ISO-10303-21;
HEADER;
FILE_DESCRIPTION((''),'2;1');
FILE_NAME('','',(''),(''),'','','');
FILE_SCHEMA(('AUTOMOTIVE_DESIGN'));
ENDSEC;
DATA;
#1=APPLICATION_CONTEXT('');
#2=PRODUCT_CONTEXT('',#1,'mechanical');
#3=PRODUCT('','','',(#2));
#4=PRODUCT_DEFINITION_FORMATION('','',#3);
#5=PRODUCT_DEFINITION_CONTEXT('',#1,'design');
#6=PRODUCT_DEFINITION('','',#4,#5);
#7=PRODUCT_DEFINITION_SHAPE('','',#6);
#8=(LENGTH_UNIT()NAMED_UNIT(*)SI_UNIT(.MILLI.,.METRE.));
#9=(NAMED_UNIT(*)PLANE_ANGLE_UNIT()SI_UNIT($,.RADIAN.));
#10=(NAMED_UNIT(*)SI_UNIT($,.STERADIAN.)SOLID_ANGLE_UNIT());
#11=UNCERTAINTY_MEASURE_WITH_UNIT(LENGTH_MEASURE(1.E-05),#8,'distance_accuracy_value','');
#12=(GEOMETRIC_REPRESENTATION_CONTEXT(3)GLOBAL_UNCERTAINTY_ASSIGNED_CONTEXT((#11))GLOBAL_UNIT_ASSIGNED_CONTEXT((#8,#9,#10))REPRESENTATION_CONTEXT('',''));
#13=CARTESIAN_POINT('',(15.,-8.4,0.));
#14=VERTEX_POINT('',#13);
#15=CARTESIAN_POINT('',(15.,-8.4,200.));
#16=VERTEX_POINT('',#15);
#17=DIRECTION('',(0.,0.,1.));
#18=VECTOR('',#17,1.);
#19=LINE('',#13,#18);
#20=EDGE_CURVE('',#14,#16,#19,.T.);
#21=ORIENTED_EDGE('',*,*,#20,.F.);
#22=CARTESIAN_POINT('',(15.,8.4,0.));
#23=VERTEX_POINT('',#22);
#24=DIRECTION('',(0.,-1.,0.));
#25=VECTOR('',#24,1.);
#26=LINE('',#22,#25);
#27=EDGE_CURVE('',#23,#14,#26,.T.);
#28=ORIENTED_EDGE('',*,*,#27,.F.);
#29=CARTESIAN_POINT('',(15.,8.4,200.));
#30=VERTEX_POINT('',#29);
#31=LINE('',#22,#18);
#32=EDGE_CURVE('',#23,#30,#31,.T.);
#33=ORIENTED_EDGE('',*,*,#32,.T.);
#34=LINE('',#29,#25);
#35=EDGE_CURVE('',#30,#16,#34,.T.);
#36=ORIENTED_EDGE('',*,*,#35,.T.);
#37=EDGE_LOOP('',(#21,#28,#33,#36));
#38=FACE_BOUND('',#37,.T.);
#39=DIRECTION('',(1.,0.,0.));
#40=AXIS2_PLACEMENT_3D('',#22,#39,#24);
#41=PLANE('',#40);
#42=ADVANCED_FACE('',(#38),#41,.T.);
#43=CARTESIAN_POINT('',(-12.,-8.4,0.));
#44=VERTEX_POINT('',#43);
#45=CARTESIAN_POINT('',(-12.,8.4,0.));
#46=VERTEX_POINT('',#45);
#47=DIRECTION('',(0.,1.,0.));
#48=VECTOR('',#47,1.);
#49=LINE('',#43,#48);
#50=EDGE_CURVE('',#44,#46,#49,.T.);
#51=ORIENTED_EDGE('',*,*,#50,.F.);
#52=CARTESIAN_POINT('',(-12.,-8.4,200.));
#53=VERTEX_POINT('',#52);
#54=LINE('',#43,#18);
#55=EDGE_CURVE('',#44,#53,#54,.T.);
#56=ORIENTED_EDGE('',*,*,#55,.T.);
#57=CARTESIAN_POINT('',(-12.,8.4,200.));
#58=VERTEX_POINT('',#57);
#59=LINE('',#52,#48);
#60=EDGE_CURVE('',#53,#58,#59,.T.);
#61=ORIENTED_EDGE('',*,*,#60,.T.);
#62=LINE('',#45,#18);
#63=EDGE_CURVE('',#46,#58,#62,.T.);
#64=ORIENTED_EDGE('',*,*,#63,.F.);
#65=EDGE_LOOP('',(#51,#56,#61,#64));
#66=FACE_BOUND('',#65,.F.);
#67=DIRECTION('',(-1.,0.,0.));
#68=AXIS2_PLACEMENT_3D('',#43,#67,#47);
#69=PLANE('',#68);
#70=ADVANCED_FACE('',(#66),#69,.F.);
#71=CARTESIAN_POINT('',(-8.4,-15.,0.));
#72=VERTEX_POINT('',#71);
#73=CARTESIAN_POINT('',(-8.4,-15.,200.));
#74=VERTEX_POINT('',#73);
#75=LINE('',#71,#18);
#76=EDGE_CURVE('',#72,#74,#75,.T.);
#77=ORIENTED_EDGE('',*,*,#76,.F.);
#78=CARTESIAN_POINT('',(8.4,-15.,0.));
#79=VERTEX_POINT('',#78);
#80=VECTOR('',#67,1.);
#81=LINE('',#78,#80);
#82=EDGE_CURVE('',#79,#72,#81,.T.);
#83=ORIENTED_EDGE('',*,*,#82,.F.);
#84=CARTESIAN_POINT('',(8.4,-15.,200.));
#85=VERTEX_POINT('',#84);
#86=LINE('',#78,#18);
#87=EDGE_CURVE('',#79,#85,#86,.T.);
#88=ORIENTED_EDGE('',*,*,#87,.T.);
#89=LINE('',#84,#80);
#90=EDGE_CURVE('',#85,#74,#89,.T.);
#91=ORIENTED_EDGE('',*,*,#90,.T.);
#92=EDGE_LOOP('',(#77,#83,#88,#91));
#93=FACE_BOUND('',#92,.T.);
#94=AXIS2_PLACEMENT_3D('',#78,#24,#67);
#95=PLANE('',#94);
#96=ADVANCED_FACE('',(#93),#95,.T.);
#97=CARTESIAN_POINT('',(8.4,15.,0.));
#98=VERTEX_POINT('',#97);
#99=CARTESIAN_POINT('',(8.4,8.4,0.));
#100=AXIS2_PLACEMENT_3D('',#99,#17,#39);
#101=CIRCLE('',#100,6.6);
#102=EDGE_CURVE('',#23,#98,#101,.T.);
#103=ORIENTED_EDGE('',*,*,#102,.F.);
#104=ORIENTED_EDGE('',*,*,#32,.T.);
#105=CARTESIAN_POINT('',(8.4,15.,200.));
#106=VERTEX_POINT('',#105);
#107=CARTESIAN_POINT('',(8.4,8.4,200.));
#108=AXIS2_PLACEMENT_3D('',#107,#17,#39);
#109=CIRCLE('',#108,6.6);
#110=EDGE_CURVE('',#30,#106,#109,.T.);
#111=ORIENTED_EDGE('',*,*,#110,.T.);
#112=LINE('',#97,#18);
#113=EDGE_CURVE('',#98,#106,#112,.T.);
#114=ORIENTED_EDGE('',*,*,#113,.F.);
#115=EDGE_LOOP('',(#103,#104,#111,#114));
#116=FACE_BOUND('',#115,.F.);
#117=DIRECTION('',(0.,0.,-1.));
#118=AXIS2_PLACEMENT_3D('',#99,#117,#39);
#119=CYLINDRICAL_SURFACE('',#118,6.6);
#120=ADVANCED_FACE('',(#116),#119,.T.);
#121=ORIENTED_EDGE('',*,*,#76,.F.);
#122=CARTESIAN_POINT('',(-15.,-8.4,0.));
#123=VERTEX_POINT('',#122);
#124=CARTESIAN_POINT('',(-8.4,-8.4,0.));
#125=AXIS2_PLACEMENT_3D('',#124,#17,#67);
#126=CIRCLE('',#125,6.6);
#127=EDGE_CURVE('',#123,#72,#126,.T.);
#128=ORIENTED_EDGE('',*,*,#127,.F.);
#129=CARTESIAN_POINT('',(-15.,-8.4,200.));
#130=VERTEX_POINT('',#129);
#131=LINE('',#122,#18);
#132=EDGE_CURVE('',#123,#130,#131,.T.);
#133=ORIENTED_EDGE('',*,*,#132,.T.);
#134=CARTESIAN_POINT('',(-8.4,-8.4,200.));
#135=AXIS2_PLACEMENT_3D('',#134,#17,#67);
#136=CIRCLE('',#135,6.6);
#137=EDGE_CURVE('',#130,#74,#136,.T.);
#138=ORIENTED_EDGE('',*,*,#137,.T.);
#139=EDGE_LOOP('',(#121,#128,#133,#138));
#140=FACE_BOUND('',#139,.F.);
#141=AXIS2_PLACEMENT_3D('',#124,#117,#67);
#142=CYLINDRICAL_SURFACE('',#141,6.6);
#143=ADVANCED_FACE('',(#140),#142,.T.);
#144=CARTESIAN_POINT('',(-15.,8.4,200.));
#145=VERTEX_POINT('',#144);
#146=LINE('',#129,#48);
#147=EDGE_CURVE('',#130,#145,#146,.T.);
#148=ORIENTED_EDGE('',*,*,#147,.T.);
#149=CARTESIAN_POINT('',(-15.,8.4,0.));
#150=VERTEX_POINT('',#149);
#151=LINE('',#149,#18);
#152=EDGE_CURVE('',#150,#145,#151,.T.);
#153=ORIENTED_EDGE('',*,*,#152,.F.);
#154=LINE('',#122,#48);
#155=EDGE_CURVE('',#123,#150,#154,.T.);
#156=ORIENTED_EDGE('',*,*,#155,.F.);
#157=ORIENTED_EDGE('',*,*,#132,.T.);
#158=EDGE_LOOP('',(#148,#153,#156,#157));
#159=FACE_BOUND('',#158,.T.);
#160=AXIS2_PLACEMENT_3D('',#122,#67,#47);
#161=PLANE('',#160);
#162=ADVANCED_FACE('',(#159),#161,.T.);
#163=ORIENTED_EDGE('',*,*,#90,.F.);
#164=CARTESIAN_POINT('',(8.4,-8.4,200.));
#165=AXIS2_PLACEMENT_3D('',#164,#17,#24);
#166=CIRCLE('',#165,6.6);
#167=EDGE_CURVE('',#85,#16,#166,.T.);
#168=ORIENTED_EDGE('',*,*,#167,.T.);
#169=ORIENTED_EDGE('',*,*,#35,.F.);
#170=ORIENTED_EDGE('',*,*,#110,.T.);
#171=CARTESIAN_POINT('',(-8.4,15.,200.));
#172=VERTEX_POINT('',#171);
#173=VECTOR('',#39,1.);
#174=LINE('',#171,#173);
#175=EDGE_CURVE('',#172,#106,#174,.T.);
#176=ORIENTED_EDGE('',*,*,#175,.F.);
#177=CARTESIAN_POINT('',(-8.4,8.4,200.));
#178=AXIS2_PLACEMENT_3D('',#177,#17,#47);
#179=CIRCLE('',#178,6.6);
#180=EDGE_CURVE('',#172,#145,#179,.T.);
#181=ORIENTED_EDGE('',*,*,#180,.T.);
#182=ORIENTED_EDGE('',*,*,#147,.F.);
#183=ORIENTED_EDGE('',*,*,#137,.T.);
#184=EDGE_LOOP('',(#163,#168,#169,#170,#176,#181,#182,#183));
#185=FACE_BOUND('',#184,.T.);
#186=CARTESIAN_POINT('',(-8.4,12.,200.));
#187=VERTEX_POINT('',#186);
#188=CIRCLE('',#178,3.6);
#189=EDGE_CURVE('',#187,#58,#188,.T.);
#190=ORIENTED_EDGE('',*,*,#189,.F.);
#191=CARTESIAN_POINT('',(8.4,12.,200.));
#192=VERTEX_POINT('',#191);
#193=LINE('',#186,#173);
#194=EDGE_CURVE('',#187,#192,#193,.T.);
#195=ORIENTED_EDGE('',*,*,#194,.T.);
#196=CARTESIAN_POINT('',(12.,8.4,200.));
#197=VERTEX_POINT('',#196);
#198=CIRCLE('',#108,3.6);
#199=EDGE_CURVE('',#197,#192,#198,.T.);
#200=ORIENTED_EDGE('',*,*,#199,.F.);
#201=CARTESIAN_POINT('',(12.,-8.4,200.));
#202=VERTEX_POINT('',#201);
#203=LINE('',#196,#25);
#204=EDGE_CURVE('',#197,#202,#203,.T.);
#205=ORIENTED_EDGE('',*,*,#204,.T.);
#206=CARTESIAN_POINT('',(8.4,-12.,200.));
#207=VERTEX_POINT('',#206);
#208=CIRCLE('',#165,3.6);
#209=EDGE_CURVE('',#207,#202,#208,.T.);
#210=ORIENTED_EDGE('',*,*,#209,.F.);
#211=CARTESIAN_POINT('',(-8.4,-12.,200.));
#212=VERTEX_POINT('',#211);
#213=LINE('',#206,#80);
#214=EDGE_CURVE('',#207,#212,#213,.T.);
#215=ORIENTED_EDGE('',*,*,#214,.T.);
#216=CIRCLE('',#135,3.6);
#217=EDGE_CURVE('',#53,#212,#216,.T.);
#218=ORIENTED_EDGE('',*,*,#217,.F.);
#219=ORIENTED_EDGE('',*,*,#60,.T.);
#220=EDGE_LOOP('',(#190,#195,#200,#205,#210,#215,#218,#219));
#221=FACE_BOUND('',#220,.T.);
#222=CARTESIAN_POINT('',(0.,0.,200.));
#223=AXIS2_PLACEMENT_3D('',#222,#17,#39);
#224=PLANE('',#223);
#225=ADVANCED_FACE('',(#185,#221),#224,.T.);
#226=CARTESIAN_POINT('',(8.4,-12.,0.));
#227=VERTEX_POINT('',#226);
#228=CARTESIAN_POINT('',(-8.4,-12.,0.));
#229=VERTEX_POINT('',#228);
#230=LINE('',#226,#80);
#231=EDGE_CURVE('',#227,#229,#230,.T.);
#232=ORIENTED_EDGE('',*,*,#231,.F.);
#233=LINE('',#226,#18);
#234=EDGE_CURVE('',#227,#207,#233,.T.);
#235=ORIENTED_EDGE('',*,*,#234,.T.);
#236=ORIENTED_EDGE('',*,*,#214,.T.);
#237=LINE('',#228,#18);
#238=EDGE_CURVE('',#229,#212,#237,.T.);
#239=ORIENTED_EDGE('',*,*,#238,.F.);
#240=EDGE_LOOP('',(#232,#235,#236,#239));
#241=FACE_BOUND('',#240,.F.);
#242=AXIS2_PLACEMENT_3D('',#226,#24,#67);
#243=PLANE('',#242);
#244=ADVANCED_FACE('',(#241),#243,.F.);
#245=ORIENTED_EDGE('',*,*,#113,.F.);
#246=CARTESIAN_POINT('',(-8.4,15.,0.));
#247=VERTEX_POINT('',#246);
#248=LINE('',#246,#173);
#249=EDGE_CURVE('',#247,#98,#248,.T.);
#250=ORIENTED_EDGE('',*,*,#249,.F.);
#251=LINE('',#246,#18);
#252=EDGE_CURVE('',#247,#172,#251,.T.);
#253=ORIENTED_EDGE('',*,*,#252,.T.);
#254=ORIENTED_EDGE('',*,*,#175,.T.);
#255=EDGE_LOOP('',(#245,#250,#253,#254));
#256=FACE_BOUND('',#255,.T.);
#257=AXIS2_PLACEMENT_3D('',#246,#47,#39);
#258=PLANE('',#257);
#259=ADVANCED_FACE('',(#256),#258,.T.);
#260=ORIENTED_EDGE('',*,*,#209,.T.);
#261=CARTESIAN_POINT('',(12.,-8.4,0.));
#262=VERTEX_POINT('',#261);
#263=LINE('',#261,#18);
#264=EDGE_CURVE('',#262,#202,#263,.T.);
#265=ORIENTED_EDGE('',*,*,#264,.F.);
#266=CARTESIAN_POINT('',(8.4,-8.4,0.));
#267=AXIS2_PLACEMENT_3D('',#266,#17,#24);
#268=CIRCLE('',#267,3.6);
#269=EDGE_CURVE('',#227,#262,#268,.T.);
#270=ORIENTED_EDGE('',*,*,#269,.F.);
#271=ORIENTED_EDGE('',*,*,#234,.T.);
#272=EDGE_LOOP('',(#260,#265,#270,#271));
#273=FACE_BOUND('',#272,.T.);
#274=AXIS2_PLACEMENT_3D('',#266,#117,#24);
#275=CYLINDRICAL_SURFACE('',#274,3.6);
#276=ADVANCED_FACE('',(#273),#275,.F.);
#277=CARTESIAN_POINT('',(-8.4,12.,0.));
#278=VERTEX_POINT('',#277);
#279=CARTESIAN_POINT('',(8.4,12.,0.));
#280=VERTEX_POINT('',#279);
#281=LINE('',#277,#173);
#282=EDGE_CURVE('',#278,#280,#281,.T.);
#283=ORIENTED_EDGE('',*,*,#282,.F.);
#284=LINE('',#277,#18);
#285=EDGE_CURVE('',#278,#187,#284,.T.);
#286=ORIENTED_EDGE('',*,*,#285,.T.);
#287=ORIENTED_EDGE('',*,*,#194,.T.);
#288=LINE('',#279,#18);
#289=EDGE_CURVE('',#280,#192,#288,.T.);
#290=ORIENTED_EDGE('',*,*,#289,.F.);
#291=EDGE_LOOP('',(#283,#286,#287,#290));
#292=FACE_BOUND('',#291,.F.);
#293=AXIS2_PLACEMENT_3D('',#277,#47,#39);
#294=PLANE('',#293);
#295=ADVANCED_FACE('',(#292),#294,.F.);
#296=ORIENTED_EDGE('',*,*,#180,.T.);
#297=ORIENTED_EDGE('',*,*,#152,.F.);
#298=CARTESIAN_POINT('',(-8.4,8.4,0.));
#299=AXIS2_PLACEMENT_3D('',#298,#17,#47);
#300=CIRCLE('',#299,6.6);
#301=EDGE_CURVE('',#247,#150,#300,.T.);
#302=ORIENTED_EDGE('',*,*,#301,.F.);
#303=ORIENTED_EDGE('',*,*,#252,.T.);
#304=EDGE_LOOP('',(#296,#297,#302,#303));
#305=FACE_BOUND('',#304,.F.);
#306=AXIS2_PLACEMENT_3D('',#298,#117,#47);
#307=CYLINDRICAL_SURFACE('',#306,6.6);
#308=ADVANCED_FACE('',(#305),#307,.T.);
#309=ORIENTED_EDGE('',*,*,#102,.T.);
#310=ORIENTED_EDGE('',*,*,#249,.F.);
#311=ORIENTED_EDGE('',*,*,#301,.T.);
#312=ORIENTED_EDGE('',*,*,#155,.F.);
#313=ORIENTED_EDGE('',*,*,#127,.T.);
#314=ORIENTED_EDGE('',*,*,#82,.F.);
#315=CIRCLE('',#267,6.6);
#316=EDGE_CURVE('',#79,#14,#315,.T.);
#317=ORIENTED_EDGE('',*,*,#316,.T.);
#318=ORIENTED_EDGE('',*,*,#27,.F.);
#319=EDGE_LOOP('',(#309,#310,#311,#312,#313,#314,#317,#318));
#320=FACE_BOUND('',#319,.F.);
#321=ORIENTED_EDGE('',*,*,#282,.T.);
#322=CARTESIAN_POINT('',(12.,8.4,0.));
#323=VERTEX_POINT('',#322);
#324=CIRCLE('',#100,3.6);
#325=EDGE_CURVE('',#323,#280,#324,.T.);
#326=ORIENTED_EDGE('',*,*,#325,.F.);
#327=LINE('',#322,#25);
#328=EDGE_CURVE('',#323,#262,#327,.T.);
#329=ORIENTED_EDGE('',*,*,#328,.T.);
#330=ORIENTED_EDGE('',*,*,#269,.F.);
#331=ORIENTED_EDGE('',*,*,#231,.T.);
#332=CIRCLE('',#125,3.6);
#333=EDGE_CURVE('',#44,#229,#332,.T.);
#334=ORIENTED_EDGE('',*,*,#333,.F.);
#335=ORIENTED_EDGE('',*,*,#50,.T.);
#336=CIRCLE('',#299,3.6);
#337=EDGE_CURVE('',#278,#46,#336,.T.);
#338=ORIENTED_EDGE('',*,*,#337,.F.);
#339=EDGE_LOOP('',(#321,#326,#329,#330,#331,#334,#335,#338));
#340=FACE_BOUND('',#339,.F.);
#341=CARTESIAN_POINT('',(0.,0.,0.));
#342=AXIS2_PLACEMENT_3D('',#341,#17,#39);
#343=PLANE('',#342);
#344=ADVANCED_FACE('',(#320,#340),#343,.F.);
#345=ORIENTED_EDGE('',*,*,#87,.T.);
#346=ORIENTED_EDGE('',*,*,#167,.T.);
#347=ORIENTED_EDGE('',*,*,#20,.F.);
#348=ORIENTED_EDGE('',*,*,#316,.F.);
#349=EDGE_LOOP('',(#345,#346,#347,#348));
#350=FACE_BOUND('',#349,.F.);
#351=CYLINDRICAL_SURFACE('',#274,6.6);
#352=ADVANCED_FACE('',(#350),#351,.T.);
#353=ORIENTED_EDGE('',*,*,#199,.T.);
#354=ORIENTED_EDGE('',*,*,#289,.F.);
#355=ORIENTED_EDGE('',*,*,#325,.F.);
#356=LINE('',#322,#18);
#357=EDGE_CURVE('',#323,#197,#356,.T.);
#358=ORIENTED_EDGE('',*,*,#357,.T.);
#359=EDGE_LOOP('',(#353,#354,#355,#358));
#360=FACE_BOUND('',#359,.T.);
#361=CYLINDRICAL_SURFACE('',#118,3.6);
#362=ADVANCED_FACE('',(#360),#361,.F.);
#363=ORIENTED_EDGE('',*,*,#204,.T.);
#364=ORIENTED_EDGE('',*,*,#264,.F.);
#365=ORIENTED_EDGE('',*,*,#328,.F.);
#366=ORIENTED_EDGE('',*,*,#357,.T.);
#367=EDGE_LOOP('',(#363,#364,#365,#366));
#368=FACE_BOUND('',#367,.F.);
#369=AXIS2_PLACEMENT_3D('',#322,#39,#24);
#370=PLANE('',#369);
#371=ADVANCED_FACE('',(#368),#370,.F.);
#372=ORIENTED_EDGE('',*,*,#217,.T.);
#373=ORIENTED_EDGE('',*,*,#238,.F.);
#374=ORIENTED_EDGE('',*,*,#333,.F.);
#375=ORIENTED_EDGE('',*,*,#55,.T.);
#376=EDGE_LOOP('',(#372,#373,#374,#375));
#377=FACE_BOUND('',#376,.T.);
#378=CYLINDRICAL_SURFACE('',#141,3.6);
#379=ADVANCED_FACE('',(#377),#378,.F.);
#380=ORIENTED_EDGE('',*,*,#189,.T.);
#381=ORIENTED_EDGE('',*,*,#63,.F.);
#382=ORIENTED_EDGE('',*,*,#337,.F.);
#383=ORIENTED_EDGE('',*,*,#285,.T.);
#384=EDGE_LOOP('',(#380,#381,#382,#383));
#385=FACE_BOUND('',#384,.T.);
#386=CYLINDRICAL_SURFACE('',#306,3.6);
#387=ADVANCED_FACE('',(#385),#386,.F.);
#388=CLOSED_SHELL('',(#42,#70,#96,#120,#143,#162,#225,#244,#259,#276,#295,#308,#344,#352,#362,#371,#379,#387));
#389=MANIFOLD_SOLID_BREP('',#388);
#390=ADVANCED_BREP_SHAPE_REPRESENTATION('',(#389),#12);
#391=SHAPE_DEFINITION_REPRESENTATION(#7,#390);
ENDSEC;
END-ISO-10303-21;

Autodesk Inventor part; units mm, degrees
ref_plane "YZ Plane" through (0, 0, 0) normal (1, 0, 0) x (0, 1, 0)
ref_plane "Plano inicial" through (0, 0, 0) normal (0, 0, 1) x (1, 0, 0)
ref_plane "Plano final" through (0, 0, 550) normal (0, 0, 1) x (1, 0, 0)
sketch "Rascunho" plane through (0, 0, 0) normal (0, 0, 1) x (1, 0, 0)
  line L0 (-15, -8.4) -> (-15, 8.4)
  line L1 (-8.4, 15) -> (8.4, 15)
  line L2 (15, 8.4) -> (15, -8.4)
  line L3 (8.4, -15) -> (-8.4, -15)
  arc A0 (-15, -8.4) -> (-8.4, -15) centre (-8.4, -8.4) ccw
  arc A1 (-8.4, 15) -> (-15, 8.4) centre (-8.4, 8.4) ccw
  arc A2 (15, 8.4) -> (8.4, 15) centre (8.4, 8.4) ccw
  arc A3 (8.4, -15) -> (15, -8.4) centre (8.4, -8.4) ccw
  arc A4 (-8.4, 12) -> (-12, 8.4) centre (-8.4, 8.4) ccw
  line L4 (-8.4, 12) -> (8.4, 12)
  arc A5 (12, 8.4) -> (8.4, 12) centre (8.4, 8.4) ccw
  line L5 (12, 8.4) -> (12, -8.4)
  arc A6 (8.4, -12) -> (12, -8.4) centre (8.4, -8.4) ccw
  line L6 (8.4, -12) -> (-8.4, -12)
  arc A7 (-12, -8.4) -> (-8.4, -12) centre (-8.4, -8.4) ccw
  line L7 (-12, -8.4) -> (-12, 8.4)
  line L8 (0, 22.9137) -> (0, -22.9137) construction
  line L9 (-22.9137, 0) -> (22.9137, 0) construction
  dimension "d7" = 6.6
  dimension "d10" = 30
  dimension "d11" = 30
  dimension "d12" = 3
  dimension "d15" = 15
  dimension "d16" = 15
extrude "Corpo" add sketch "Rascunho" along normal blind 200 from surface at 0
sketch "Sketch3" plane through (0, 0, 0) normal (0, 0, 1) x (1, 0, 0)
  line L0 (0, 0) -> (10, 0)
ref_plane "Work Plane3" through (0, 0, 0) normal (0, -1, 0) x (1, 0, 0)
sketch "Sketch4" plane through (0, 0, 0) normal (0, -1, 0) x (1, 0, 0)
  line L0 (-2, 0) -> (12, 0) projected
  line L1 (-2, 550) -> (12, 550) projected
  dimension "d18" = 550
equation "\"d7\" = G_IR"
equation "\"d10\" = G_H"
equation "\"d11\" = G_W"
equation "\"d12\" = G_T"
equation "\"d15\" = 0.5 * d10"
equation "\"d16\" = 0.5 * d11"
equation "\"G_W\" = 30"
equation "\"G_H\" = 30"
equation "\"G_T\" = 3"
equation "\"G_IR\" = 6.6"
equation "\"G_L\" = d18"
equation "\"G_OFFSET_START\" = 0"
equation "\"G_OFFSET_END\" = 0"
properties part number "tubo extensão menor" material "Aço, suave"
